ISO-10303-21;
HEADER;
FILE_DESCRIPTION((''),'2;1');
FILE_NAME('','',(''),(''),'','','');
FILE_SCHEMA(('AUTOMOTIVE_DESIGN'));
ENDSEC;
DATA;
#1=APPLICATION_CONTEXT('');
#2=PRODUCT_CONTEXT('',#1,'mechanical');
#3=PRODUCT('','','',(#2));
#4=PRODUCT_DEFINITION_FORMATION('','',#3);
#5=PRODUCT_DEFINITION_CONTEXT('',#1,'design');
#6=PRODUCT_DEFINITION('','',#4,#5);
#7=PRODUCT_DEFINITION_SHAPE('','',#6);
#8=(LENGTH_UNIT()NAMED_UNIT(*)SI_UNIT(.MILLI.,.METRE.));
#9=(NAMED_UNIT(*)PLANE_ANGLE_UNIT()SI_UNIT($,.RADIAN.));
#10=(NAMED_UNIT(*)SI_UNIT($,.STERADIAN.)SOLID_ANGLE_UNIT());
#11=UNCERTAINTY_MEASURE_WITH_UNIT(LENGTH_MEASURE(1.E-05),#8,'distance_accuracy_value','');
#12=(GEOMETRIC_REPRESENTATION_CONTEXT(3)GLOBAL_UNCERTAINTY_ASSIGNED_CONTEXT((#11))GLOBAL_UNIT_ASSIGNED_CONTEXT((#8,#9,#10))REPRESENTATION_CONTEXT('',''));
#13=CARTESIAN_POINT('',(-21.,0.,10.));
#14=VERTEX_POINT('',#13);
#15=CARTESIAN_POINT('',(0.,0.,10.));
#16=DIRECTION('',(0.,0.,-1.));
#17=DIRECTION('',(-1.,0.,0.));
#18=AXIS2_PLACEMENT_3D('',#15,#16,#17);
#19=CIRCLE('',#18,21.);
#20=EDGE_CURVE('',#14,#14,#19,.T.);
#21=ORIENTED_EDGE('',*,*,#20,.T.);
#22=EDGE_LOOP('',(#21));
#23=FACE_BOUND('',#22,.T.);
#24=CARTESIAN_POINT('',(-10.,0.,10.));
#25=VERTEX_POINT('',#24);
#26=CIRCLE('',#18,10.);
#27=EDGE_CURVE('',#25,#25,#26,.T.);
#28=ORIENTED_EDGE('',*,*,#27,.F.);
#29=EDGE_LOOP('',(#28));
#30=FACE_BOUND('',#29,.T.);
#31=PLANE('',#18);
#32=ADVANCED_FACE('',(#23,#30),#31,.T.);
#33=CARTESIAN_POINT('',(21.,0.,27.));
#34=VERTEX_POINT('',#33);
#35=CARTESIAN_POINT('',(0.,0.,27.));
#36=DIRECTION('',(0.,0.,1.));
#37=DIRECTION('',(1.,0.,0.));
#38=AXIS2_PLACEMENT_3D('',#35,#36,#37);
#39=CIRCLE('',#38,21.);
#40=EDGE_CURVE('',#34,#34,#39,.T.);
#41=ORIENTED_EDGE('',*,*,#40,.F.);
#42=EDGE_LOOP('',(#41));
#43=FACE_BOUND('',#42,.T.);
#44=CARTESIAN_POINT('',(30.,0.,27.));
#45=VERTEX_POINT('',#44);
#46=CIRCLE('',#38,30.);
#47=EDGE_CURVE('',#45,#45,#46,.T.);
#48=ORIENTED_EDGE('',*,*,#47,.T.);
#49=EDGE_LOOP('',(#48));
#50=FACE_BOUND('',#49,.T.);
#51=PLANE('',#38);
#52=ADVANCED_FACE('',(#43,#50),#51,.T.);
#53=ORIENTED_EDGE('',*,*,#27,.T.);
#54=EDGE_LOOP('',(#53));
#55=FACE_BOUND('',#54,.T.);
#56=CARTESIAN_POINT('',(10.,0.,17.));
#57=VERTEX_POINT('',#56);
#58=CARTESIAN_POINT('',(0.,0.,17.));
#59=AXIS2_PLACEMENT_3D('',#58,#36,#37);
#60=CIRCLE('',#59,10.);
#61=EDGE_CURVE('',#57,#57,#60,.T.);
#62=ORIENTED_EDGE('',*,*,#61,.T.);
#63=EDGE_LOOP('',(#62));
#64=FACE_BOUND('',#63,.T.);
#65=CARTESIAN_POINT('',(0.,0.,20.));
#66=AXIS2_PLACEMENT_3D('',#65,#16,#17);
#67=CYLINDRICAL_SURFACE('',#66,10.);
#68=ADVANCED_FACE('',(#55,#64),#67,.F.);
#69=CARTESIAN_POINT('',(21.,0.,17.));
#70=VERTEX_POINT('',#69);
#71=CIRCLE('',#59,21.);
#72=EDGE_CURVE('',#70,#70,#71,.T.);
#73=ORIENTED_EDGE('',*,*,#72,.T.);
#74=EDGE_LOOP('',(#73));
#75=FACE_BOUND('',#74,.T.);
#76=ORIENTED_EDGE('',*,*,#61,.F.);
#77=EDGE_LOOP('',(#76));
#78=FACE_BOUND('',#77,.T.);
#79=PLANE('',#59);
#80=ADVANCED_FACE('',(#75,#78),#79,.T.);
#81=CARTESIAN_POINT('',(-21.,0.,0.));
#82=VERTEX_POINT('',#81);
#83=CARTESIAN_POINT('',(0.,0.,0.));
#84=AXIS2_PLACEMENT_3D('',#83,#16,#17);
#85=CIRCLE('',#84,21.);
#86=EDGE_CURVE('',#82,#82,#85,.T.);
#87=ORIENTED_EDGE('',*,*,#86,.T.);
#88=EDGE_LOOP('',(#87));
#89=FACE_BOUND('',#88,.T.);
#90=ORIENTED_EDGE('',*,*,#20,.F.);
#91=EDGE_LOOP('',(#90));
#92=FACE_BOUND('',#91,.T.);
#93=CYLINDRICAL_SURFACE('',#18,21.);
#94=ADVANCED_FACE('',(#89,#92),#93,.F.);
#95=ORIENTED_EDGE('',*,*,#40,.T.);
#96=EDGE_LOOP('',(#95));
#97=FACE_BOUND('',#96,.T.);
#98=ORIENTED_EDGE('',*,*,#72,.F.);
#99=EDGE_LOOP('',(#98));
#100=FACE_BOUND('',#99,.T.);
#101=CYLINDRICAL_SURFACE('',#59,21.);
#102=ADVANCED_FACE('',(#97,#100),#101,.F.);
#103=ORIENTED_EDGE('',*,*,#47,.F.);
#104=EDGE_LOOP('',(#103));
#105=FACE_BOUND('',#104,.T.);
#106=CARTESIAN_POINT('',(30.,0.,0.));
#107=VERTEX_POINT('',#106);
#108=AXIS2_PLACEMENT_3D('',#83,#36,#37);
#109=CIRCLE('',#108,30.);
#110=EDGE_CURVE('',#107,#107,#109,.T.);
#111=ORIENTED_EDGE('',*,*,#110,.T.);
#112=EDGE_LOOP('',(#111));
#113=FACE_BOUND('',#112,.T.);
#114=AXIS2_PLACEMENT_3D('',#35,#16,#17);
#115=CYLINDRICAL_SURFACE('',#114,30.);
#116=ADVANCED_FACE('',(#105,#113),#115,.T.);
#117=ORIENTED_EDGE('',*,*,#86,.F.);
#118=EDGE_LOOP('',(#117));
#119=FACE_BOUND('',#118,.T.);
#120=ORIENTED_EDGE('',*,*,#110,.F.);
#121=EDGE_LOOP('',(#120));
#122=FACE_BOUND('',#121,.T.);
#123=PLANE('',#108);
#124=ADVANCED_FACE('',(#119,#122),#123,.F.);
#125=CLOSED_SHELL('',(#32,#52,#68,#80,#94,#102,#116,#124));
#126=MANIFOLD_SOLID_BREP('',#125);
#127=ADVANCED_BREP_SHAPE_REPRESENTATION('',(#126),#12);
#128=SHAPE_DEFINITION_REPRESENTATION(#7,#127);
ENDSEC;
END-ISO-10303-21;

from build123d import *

# Parameters (mm, degrees)
ESQUISSE1_R             = 30
BOSS_EXTRU_1_DEPTH      = 27
ESQUISSE3_R             = 21
ENL_V_MAT_EXTRU_1_DEPTH = 10
ENL_V_START             = -10
ESQUISSE4_R             = 21
ENL_V_MAT_EXTRU_2_DEPTH = 10
ESQUISSE5_R             = 10
ENL_V_MAT_EXTRU_3_DEPTH = 10


with BuildPart() as part:
    # Esquisse1 → Boss.-Extru.1 (new body)
    with BuildSketch(Plane.XY):
        Circle(ESQUISSE1_R)
    extrude(amount=BOSS_EXTRU_1_DEPTH)

    # Esquisse3 → Enlèv. mat.-Extru.1 (cut)
    with BuildSketch(Plane.XY.offset(27)):
        Circle(ESQUISSE3_R)
    extrude(amount=-ENL_V_MAT_EXTRU_1_DEPTH, mode=Mode.SUBTRACT)

    # Esquisse4 → Enlèv. mat.-Extru.2 (cut)
    with BuildSketch(Plane(origin=(0, 0, 0), x_dir=(-1, 0, 0), z_dir=(0, 0, -1)).offset(ENL_V_START)):
        with Locations(Location((0, 0, 0), (0, 0, 180))):
            Circle(ESQUISSE4_R)
    extrude(amount=ENL_V_MAT_EXTRU_2_DEPTH, mode=Mode.SUBTRACT)

    # Esquisse5 → Enlèv. mat.-Extru.3 (cut)
    with BuildSketch(Plane(origin=(0, 0, 10), x_dir=(-1, 0, 0), z_dir=(0, 0, -1))):
        Circle(ESQUISSE5_R)
    extrude(amount=-ENL_V_MAT_EXTRU_3_DEPTH, mode=Mode.SUBTRACT)


solid = part.part
